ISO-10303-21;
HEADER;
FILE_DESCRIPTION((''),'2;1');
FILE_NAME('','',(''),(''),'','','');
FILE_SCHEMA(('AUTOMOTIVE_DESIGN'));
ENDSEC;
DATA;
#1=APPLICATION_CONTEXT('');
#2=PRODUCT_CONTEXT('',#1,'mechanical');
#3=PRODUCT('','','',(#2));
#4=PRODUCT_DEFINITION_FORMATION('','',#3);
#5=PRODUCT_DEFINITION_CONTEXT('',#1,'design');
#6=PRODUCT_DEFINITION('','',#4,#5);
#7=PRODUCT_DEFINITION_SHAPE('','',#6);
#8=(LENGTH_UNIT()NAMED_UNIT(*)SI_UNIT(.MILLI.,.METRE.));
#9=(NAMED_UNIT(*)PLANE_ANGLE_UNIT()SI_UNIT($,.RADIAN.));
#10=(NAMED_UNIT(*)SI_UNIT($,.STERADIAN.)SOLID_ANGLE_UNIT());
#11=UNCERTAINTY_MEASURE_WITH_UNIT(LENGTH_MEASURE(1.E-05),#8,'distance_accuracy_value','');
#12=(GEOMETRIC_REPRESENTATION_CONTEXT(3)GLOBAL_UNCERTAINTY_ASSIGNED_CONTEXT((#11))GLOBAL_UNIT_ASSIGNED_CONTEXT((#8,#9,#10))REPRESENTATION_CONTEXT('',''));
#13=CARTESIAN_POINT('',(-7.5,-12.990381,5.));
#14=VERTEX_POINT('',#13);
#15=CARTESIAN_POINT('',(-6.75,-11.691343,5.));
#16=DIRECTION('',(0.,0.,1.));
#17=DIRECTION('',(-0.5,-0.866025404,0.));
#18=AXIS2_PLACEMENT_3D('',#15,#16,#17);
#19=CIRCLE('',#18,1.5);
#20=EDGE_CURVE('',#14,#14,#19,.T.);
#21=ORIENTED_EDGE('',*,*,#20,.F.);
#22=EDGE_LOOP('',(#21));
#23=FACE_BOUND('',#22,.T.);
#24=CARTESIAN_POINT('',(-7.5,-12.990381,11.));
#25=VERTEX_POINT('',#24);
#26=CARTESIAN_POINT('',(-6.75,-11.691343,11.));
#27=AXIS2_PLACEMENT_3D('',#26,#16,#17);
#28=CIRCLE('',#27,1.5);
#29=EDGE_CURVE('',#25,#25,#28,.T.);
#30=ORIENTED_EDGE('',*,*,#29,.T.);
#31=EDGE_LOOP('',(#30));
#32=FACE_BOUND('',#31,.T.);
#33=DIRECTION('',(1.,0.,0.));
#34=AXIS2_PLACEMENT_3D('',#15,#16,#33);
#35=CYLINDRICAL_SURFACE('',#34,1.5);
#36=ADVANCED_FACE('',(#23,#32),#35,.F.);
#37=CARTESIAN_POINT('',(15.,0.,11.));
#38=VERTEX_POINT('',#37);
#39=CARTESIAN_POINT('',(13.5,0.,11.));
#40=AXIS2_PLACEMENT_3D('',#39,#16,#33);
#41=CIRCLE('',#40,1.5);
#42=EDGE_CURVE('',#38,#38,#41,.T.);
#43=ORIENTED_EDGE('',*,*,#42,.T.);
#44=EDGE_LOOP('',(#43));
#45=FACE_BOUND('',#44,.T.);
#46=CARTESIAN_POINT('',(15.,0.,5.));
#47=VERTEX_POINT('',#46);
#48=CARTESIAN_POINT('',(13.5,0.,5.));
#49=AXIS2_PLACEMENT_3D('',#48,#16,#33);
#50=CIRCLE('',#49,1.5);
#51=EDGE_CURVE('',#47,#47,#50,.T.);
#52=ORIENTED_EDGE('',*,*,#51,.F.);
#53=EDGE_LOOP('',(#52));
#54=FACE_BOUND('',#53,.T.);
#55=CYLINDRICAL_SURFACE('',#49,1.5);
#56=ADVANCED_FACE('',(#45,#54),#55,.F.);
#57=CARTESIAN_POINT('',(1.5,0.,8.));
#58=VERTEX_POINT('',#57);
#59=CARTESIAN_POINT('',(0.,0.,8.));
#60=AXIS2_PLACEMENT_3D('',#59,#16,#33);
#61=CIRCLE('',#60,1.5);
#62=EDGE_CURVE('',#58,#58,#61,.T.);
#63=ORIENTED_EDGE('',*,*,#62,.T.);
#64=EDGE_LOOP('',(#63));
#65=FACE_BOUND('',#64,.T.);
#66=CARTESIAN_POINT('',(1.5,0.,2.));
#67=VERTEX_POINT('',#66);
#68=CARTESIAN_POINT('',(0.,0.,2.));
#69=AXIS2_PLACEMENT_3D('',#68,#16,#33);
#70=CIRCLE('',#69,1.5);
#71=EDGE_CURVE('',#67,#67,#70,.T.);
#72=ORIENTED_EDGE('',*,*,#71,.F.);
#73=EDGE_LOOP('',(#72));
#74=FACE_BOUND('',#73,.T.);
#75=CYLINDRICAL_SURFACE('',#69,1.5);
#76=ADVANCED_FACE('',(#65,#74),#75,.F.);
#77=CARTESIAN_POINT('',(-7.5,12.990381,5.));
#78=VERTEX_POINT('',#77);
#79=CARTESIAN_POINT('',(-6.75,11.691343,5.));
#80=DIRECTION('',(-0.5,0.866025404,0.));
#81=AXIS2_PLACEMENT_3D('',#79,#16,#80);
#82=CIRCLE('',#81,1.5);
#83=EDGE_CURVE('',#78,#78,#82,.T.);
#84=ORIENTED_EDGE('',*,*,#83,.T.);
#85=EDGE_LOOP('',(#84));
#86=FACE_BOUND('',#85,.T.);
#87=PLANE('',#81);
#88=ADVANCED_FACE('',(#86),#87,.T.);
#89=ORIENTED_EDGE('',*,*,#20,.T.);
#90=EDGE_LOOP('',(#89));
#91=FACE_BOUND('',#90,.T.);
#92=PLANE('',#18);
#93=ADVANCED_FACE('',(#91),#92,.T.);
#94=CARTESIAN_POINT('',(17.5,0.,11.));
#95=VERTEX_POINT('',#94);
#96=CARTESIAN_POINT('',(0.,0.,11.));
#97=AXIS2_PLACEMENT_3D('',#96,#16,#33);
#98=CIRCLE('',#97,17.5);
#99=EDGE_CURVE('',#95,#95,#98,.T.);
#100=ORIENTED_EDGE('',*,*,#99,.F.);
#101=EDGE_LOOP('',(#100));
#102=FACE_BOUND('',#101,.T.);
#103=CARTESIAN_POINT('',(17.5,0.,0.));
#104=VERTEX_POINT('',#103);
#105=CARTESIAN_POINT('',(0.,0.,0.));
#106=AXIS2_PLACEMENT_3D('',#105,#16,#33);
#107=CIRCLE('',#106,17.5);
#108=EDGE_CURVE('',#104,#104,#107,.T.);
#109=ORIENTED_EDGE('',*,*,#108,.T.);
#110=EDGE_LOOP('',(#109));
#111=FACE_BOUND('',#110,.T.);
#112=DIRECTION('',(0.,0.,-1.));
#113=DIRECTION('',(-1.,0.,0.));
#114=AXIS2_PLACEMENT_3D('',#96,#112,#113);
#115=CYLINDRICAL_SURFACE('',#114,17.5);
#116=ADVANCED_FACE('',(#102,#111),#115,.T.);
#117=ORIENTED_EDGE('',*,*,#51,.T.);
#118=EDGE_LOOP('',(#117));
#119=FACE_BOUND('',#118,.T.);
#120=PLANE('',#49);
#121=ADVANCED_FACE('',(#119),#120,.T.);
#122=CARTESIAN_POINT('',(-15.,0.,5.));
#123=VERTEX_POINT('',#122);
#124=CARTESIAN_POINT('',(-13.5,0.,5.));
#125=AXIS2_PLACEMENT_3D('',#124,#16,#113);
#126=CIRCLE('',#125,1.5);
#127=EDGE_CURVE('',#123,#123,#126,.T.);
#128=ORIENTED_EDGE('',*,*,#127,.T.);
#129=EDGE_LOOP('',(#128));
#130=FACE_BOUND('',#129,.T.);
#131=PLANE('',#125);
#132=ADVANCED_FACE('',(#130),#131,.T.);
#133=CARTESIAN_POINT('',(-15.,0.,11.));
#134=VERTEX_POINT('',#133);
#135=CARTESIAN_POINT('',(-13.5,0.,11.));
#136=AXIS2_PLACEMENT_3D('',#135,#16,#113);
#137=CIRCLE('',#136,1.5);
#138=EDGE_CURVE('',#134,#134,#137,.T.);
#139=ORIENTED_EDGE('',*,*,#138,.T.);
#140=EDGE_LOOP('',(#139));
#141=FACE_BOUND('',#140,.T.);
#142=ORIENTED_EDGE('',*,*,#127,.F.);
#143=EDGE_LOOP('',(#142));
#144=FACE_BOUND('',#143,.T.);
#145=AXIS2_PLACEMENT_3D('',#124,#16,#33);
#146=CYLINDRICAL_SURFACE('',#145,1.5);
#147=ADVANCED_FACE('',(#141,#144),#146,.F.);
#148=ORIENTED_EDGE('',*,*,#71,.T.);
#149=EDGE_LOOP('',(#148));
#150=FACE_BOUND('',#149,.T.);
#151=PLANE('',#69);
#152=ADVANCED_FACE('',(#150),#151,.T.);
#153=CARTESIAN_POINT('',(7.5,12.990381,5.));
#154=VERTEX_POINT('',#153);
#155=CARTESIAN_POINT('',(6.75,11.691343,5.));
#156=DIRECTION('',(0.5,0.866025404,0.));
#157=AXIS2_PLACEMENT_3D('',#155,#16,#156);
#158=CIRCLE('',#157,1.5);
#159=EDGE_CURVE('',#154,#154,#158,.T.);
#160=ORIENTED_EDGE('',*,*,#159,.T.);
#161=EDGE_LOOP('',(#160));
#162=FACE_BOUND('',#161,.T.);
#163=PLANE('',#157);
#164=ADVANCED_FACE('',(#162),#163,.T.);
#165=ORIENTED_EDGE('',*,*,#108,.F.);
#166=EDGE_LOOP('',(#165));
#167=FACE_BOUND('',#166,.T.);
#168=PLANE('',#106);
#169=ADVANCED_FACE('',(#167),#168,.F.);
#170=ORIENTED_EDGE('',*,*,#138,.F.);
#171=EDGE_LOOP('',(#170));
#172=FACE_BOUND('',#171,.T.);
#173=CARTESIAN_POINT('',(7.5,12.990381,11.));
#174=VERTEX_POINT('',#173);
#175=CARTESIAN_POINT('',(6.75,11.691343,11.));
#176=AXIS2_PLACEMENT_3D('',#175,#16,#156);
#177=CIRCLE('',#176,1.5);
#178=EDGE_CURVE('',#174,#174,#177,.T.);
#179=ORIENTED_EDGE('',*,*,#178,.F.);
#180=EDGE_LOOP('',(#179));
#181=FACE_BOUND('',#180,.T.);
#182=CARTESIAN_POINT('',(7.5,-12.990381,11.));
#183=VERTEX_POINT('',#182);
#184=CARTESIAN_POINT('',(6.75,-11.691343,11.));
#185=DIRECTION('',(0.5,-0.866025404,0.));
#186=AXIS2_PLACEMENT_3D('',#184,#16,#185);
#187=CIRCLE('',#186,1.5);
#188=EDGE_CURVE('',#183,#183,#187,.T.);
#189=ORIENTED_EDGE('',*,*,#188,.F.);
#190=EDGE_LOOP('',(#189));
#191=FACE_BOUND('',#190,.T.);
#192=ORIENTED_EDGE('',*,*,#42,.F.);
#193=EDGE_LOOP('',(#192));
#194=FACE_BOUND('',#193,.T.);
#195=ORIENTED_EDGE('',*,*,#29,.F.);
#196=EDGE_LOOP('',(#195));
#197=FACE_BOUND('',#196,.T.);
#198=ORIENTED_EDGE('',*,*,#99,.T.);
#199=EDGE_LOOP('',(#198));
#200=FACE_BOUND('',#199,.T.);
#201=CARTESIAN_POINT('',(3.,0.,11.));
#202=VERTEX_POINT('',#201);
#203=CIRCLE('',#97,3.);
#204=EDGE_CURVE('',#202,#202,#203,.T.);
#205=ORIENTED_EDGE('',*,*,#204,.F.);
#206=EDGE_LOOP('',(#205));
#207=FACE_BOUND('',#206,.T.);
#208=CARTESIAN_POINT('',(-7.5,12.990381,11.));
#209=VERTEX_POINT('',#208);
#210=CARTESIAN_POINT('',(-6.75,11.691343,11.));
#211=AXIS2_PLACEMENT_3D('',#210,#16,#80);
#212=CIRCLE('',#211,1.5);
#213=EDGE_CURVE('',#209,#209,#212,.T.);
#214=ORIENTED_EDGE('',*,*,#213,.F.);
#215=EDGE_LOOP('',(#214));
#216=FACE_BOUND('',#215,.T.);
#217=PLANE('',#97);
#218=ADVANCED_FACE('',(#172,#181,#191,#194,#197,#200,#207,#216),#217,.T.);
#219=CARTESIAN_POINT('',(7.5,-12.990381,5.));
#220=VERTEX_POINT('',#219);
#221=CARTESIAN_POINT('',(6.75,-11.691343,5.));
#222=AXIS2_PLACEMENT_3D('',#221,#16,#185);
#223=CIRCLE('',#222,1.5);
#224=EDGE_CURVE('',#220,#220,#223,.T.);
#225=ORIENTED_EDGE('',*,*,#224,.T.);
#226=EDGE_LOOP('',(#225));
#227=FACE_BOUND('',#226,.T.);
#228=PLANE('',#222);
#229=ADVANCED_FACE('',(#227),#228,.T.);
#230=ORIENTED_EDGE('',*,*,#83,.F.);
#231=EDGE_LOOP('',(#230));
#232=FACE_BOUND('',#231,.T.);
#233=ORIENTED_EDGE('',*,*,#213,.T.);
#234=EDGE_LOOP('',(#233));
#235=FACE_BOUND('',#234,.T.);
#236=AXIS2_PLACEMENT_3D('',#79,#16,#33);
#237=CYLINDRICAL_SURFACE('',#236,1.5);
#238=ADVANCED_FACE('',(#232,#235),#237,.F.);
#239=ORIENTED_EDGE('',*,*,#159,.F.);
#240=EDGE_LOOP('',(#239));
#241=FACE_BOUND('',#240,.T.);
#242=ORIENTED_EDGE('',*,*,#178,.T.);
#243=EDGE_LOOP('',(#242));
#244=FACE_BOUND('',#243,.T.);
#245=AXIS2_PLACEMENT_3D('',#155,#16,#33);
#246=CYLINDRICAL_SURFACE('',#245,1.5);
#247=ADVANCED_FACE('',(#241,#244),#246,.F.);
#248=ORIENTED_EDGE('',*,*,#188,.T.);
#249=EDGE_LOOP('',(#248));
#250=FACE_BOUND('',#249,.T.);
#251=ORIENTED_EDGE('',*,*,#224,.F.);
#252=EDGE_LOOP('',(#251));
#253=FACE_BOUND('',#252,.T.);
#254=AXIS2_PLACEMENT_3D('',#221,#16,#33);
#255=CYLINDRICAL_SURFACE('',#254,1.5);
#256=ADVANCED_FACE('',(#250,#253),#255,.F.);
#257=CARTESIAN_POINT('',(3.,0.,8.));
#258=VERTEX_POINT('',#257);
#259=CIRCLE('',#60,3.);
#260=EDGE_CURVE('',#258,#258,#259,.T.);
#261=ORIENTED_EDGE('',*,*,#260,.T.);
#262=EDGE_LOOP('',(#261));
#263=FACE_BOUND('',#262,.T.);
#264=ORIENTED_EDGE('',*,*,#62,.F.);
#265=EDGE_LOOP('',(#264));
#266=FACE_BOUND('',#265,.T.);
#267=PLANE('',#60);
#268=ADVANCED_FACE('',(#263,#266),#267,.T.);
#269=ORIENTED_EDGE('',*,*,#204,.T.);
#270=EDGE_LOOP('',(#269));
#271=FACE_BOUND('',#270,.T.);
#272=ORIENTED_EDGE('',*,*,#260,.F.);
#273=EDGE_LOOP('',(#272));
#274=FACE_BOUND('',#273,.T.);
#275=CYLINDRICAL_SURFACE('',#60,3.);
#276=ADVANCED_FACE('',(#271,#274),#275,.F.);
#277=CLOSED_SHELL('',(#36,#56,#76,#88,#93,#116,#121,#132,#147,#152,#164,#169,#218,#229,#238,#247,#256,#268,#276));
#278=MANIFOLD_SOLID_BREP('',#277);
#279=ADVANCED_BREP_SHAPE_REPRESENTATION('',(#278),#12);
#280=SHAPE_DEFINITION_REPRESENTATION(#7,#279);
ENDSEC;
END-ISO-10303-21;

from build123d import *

# Parameters (mm, degrees)
SKETCH_1_R               = 17.5
EXTRUDE_1_DEPTH          = 11
SKETCH_2_R               = 1.5
CUT_EXTRUDE_1_DEPTH      = 6
PATTERN_CIRCULAR_1_COUNT = 6
SKETCH_3_R               = 3
CUT_EXTRUDE_2_DEPTH      = 3
SKETCH_4_R               = 1.5
CUT_EXTRUDE_3_DEPTH      = 6


with BuildPart() as part:
    # 草图1 → 凸台-拉伸1 (new body)
    with BuildSketch(Plane.XY):
        Circle(SKETCH_1_R)
    extrude(amount=EXTRUDE_1_DEPTH)

    # 草图2 → 切除-拉伸1 (cut)
    with BuildSketch(Plane.XY.offset(11)):
        with Locations((13.5, 0)):
            Circle(SKETCH_2_R)
    cut_extrude_1 = extrude(amount=-CUT_EXTRUDE_1_DEPTH, mode=Mode.SUBTRACT)

    # 阵列(圆周)1: 切除-拉伸1 ×6 about axis
    pattern_circular_1_axis = Axis((0, 0, 0), (0, 0, 1))
    for i in range(1, PATTERN_CIRCULAR_1_COUNT):
        add(cut_extrude_1.rotate(pattern_circular_1_axis, i * 360 / PATTERN_CIRCULAR_1_COUNT), mode=Mode.SUBTRACT)

    # 草图3 → 切除-拉伸2 (cut)
    with BuildSketch(Plane.XY.offset(11)):
        Circle(SKETCH_3_R)
    extrude(amount=-CUT_EXTRUDE_2_DEPTH, mode=Mode.SUBTRACT)

    # 草图4 → 切除-拉伸3 (cut)
    with BuildSketch(Plane.XY.offset(8)):
        Circle(SKETCH_4_R)
    extrude(amount=-CUT_EXTRUDE_3_DEPTH, mode=Mode.SUBTRACT)


solid = part.part
